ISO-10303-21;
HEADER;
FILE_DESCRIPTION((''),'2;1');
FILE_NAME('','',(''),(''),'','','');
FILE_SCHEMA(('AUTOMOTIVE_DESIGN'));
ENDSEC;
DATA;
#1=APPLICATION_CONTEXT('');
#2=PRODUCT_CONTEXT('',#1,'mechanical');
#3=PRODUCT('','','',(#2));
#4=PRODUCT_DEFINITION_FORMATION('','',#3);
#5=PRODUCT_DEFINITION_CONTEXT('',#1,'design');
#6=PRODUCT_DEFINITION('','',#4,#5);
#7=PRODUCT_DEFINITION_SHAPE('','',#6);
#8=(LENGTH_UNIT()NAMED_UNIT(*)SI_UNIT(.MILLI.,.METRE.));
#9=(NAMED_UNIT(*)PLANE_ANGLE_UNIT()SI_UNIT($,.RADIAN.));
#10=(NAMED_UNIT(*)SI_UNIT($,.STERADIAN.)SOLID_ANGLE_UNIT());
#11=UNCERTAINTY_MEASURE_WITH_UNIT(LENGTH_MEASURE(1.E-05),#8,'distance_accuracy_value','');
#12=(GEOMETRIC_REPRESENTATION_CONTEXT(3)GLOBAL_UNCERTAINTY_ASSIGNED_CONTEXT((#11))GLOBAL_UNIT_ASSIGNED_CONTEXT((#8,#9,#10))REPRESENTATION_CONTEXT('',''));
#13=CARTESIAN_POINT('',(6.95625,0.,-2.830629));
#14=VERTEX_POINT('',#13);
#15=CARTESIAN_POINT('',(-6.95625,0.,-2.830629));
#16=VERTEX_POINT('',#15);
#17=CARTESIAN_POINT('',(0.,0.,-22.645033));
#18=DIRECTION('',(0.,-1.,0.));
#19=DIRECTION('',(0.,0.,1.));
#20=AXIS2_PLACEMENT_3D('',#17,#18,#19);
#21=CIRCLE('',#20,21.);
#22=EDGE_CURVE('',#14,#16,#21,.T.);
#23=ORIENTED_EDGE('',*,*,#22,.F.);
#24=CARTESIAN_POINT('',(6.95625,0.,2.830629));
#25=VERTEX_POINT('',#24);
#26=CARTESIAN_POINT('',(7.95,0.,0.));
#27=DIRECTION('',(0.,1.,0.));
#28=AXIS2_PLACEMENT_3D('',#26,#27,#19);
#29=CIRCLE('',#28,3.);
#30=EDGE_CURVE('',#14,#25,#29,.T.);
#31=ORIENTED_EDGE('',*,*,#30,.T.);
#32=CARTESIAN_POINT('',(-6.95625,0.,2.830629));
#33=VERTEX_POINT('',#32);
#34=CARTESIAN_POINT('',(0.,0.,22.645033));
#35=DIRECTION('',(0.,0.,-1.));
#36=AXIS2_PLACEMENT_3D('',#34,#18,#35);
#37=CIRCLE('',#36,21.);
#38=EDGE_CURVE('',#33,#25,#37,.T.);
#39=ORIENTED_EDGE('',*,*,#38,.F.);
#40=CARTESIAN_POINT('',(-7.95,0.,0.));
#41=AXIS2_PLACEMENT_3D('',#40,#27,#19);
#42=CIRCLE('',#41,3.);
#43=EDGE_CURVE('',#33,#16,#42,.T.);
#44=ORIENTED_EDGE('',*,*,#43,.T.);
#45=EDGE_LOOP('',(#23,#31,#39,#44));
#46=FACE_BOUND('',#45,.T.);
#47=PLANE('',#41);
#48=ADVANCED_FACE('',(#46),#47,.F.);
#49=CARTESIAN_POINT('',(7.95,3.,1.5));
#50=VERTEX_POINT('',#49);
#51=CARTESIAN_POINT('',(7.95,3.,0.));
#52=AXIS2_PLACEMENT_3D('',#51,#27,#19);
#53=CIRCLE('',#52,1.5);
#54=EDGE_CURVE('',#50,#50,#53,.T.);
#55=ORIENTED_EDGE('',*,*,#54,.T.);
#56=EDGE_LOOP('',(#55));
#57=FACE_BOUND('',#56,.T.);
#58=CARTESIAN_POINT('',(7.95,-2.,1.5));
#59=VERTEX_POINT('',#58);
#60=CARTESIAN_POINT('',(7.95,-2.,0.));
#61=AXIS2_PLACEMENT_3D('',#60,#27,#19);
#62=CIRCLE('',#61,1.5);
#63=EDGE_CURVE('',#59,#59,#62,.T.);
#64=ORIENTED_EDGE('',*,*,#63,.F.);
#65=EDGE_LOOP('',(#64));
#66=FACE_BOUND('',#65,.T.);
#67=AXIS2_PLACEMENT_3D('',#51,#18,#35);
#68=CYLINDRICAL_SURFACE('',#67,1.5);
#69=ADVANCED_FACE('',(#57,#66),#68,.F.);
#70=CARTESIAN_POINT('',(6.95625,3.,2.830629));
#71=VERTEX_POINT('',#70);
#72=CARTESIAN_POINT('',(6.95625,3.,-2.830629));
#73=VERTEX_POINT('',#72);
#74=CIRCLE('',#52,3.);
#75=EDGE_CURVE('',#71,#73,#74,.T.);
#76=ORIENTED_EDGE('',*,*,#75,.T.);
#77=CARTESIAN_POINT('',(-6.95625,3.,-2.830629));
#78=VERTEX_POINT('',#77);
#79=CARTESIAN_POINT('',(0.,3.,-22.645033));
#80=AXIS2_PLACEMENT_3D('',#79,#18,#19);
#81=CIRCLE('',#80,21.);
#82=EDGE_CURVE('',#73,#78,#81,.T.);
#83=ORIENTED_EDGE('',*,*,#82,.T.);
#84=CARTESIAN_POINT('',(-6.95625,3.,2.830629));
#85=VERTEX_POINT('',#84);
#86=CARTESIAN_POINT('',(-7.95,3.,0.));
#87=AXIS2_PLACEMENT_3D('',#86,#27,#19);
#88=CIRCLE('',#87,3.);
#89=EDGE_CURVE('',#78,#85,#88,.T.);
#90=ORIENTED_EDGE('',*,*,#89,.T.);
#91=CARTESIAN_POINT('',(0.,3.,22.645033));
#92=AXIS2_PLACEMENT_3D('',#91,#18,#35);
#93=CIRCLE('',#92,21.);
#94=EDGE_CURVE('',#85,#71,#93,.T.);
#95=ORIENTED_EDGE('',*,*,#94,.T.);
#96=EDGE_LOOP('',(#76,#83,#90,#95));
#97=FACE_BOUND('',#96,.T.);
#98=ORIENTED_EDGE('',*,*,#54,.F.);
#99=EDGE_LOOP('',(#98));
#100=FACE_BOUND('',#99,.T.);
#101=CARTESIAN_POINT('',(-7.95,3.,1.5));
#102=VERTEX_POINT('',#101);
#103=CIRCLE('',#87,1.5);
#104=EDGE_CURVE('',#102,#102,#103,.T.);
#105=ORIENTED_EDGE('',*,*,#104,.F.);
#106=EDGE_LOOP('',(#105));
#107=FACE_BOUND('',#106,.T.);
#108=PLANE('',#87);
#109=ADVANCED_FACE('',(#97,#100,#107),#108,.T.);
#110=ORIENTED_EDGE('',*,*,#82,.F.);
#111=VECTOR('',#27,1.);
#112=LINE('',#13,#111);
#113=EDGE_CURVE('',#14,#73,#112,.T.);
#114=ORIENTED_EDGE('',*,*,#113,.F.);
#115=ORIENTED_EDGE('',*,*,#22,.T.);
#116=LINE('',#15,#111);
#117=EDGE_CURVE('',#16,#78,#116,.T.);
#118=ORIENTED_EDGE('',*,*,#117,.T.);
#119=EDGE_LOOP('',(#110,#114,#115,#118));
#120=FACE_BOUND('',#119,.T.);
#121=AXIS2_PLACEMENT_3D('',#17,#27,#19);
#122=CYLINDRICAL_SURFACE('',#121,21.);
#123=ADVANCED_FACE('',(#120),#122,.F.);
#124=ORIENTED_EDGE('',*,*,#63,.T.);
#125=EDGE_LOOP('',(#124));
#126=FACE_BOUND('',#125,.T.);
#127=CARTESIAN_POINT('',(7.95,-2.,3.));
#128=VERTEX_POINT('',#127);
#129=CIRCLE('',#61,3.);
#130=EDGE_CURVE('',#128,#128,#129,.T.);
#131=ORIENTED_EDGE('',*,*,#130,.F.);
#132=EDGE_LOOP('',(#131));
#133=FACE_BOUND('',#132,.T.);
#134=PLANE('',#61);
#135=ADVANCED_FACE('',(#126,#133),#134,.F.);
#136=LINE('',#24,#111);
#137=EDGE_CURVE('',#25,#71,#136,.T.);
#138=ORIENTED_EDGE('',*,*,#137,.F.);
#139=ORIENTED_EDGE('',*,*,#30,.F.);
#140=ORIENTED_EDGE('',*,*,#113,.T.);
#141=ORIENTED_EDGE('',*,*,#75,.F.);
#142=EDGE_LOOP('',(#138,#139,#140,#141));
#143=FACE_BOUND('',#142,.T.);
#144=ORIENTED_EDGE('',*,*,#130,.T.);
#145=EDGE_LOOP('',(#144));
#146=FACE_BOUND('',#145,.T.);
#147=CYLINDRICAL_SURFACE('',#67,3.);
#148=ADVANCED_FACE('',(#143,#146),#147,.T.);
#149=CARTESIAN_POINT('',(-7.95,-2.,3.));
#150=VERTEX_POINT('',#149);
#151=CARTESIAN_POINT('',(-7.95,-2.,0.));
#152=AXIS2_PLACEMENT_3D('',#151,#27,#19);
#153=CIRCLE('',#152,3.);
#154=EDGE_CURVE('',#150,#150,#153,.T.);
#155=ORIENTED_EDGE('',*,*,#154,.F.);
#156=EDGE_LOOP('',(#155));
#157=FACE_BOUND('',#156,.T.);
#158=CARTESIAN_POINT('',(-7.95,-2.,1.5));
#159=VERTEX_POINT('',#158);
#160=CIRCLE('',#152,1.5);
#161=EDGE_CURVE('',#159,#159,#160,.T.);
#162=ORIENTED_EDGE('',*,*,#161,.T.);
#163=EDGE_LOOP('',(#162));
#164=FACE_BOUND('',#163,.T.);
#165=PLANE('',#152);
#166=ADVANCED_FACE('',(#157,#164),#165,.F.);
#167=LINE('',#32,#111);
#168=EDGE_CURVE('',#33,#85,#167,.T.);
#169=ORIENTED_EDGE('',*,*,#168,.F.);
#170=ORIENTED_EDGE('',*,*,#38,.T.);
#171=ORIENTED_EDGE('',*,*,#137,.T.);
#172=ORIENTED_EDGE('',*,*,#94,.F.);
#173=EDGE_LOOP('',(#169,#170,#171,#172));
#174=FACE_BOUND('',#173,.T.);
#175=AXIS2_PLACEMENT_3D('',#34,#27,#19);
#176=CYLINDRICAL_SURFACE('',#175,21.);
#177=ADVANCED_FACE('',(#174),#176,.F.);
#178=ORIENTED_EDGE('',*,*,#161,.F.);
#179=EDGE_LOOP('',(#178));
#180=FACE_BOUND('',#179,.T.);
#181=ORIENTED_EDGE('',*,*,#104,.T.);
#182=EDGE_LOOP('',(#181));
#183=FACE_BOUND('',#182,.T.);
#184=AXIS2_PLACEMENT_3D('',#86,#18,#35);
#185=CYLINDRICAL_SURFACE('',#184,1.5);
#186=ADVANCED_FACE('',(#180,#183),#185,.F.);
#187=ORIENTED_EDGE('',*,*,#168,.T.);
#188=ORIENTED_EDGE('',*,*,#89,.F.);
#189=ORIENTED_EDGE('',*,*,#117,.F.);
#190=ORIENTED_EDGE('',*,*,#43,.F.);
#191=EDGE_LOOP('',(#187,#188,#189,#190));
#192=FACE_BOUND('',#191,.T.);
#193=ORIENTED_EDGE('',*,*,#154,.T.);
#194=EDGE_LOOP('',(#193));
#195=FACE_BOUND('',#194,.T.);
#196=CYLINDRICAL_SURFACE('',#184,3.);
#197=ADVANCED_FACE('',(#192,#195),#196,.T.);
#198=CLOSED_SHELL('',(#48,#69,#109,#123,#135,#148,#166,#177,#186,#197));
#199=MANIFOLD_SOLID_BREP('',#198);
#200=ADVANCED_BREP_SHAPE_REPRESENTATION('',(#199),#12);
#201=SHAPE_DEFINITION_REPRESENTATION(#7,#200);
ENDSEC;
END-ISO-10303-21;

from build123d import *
from build123d.topology import SkipClean

# Parameters (mm, degrees)
SKETCH1_R           = 1.5
BOSS_EXTRUDE1_DEPTH = 3
SKETCH2_OUTSIDE_W   = 28.48
SKETCH2_OUTSIDE_H   = 12.58
CUT_EXTRUDE1_DEPTH  = 12.743189516
BOSS_EXTRUDE2_START = -3
SKETCH3_R           = 1.5
BOSS_EXTRUDE2_DEPTH = 2


with BuildPart() as part:
    # Sketch1 → Boss-Extrude1 (new body)
    with BuildSketch(Plane(origin=(0, 0, 0), x_dir=(1, 0, 0), z_dir=(0, 1, 0))):
        with BuildLine():
            Line((-7.95, 3), (7.95, 3))
            ThreePointArc((7.95, 3), (10.95, 0), (7.95, -3))
            Line((7.95, -3), (-7.95, -3))
            ThreePointArc((-7.95, -3), (-10.95, 0), (-7.95, 3))
        make_face()
        with Locations(Location((-7.95, 0, 0), (0, 0, 270))):
            Circle(SKETCH1_R, mode=Mode.SUBTRACT)
        with Locations(Location((7.95, 0, 0), (0, 0, 270))):
            Circle(SKETCH1_R, mode=Mode.SUBTRACT)
    extrude(amount=BOSS_EXTRUDE1_DEPTH)

    # Sketch2 outside → Cut-Extrude1 (cut, through all)
    with SkipClean():  # the faces are left unmerged after this step: merging them gives an invalid solid
        with BuildSketch(Plane(origin=(0, 3, 0), x_dir=(1, 0, 0), z_dir=(0, 1, 0))):
            Rectangle(SKETCH2_OUTSIDE_W, SKETCH2_OUTSIDE_H)
            with BuildLine():
                ThreePointArc((-6.95625, 2.830629071), (-10.95, 0), (-6.95625, -2.830629071))
                ThreePointArc((-6.95625, -2.830629071), (0, -1.645032568), (6.95625, -2.830629071))
                ThreePointArc((6.95625, -2.830629071), (10.95, 0), (6.95625, 2.830629071))
                ThreePointArc((6.95625, 2.830629071), (0, 1.645032568), (-6.95625, 2.830629071))
            make_face(mode=Mode.SUBTRACT)
        extrude(amount=-CUT_EXTRUDE1_DEPTH, mode=Mode.SUBTRACT)

    # Sketch3 → Boss-Extrude2 (add)
    with SkipClean():  # the faces are left unmerged after this step: merging them gives an invalid solid
        with BuildSketch(Plane(origin=(0, 3, 0), x_dir=(1, 0, 0), z_dir=(0, 1, 0)).offset(BOSS_EXTRUDE2_START)):
            with BuildLine():
                ThreePointArc((-6.95625, -2.830629071), (-5.502424669, -1.734755026), (-4.95, 0))
                ThreePointArc((-4.95, 0), (-5.502424669, 1.734755026), (-6.95625, 2.830629071))
                ThreePointArc((-6.95625, 2.830629071), (-10.95, 0), (-6.95625, -2.830629071))
            make_face()
            with Locations(Location((-7.95, 0, 0), (0, 0, 270))):
                Circle(SKETCH3_R, mode=Mode.SUBTRACT)
            with BuildLine():
                ThreePointArc((6.95625, -2.830629071), (9.684755026, -2.447575331), (10.95, 0))
                ThreePointArc((10.95, 0), (9.684755026, 2.447575331), (6.95625, 2.830629071))
                ThreePointArc((6.95625, 2.830629071), (4.95, 0), (6.95625, -2.830629071))
            make_face()
            with Locations(Location((7.95, 0, 0), (0, 0, 270))):
                Circle(SKETCH3_R, mode=Mode.SUBTRACT)
        extrude(amount=-BOSS_EXTRUDE2_DEPTH)


solid = part.part
